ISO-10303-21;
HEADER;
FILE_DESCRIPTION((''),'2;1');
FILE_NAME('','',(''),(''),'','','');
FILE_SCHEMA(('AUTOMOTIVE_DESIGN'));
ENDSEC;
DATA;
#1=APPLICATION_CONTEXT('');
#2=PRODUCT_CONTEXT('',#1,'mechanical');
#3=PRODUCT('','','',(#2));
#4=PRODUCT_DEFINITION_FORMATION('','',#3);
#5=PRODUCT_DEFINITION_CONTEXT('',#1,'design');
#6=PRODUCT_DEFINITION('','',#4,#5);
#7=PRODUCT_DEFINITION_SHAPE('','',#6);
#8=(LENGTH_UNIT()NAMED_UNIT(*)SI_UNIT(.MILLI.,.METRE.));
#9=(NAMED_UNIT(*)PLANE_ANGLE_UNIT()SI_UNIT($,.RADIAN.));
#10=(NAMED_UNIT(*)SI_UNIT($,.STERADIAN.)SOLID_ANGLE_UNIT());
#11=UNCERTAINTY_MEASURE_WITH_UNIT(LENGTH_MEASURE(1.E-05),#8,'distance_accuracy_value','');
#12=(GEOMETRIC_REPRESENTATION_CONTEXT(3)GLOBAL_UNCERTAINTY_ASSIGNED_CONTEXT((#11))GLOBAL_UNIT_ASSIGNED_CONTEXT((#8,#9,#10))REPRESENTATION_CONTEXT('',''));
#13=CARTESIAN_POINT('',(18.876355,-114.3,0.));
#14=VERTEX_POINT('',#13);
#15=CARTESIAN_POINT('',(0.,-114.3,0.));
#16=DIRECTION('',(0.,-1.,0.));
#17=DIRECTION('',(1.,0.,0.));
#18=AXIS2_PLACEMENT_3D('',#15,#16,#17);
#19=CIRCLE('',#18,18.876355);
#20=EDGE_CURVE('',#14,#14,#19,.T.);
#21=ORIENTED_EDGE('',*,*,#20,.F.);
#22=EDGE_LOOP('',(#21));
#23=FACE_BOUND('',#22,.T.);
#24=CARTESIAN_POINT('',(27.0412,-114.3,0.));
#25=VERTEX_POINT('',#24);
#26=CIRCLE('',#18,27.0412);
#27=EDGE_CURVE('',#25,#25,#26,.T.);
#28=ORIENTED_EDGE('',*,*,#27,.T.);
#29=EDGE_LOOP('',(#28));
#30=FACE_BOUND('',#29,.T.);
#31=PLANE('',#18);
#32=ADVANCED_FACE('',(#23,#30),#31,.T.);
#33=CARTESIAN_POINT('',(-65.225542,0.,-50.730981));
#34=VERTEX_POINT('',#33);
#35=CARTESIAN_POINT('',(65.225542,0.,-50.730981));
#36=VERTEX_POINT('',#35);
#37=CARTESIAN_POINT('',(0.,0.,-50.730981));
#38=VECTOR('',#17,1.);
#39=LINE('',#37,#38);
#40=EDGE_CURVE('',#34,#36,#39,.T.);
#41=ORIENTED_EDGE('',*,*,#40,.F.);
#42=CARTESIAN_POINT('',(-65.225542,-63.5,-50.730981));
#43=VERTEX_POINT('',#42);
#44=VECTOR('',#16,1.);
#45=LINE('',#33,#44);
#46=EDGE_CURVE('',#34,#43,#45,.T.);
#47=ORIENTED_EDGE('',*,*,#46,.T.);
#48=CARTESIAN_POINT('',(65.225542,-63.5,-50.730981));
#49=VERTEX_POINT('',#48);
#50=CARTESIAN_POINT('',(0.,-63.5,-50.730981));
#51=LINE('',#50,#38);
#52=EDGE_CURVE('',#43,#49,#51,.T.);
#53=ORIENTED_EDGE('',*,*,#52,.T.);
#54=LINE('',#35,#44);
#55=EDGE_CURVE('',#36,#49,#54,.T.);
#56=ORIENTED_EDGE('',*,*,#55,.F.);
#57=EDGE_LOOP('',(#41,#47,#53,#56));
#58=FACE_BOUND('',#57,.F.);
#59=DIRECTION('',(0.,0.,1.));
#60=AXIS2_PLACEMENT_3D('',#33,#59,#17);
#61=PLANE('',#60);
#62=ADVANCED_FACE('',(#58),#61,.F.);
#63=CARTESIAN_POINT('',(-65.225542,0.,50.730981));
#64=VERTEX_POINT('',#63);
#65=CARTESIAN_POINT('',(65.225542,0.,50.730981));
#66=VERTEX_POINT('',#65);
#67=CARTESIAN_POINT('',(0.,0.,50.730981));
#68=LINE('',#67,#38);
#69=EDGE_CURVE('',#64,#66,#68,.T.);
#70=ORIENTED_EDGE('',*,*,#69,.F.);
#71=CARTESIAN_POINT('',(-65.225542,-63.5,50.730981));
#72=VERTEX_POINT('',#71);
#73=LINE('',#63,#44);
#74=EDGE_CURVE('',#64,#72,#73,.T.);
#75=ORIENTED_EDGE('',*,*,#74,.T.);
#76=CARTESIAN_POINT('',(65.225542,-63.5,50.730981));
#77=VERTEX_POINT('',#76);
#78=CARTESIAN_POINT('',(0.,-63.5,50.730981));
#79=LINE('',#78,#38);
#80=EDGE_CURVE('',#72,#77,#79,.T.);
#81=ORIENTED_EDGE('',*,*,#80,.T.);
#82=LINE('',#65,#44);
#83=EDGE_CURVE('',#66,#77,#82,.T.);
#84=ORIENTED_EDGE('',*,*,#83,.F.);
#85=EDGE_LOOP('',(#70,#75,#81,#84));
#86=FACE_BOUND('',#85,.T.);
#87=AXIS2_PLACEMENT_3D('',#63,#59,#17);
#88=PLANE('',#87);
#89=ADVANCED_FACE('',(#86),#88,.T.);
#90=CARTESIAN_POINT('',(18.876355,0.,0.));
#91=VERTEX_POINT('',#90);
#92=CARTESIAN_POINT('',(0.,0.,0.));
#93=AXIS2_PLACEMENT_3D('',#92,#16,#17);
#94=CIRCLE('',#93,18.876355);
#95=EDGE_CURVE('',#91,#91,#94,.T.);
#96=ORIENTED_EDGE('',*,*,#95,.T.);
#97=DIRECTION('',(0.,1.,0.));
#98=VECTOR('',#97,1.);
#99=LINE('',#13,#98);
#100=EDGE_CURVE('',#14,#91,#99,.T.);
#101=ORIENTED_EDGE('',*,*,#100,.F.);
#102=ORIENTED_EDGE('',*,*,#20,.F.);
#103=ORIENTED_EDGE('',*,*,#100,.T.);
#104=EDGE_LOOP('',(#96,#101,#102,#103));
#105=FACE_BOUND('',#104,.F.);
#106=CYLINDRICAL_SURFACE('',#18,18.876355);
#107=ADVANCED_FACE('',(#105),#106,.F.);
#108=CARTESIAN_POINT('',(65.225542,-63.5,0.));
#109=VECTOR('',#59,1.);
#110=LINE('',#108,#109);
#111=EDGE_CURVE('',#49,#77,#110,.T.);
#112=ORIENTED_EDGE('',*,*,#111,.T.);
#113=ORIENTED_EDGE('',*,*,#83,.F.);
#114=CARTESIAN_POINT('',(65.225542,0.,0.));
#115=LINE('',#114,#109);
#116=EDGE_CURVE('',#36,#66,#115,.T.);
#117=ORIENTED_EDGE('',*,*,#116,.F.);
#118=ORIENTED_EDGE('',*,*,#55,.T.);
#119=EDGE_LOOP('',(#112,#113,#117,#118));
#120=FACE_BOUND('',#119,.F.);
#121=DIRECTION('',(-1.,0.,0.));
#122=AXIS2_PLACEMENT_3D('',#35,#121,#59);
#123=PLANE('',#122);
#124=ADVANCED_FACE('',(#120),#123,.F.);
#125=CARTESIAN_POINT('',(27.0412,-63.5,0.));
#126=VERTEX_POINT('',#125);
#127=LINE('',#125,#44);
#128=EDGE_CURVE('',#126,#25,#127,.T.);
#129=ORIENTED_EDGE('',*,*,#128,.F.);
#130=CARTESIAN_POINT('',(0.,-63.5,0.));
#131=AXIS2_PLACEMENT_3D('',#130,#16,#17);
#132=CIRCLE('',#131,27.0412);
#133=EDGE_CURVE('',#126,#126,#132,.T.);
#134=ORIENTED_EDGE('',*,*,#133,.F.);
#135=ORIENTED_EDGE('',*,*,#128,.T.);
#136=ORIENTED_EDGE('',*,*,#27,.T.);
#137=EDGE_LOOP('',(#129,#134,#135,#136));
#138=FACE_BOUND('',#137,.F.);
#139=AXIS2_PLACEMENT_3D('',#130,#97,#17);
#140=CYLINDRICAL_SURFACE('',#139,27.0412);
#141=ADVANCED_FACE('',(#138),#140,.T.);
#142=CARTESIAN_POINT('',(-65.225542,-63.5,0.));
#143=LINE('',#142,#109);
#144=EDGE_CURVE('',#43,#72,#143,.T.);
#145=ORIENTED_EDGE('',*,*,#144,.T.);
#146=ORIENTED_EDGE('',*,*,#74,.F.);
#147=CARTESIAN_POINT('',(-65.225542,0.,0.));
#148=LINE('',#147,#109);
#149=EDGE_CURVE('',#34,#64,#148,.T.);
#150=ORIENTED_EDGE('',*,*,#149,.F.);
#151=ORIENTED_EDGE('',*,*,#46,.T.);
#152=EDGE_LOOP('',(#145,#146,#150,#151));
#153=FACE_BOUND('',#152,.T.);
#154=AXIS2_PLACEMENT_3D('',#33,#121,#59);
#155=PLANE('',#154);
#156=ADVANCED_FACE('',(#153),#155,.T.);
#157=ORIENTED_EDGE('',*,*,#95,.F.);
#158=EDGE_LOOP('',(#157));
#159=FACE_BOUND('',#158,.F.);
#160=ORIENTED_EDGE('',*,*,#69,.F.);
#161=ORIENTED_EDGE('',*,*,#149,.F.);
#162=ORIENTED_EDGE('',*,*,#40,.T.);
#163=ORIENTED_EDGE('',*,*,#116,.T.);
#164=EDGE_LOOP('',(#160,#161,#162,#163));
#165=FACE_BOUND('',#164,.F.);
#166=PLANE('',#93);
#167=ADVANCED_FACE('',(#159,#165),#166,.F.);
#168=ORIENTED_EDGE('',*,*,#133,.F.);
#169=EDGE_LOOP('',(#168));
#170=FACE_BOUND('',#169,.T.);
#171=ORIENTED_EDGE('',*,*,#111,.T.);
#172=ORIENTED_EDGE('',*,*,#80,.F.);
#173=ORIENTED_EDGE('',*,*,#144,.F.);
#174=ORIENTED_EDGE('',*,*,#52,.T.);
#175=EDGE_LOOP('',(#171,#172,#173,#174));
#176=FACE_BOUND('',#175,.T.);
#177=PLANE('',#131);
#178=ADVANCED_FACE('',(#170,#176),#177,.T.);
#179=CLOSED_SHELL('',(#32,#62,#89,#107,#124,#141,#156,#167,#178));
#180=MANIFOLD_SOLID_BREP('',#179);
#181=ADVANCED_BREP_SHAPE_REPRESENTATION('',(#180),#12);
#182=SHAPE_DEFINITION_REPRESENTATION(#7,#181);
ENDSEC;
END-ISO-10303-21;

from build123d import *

# Parameters (mm, degrees)
F0_W     = 130.451084
F0_H     = 101.461962
F1_DEPTH = 63.5
F2_R     = 27.0412
F3_DEPTH = 50.8
F4_R     = 18.876355
F5_DEPTH = 179.578


with BuildPart() as f1:
    # F0 (on Front) → F1 (new body)
    with BuildSketch(Plane.XZ):
        Rectangle(F0_W, F0_H)
    extrude(amount=F1_DEPTH)

    # F2 (on face) → F3 (join)
    with BuildSketch(Plane.XZ.offset(63.5)):
        Circle(F2_R)
    extrude(amount=F3_DEPTH)

    # F4 (on face) → F5 (cut)
    with BuildSketch(Plane.XZ.offset(114.3)):
        Circle(F4_R)
    extrude(amount=-F5_DEPTH, mode=Mode.SUBTRACT)


solid = f1.part
